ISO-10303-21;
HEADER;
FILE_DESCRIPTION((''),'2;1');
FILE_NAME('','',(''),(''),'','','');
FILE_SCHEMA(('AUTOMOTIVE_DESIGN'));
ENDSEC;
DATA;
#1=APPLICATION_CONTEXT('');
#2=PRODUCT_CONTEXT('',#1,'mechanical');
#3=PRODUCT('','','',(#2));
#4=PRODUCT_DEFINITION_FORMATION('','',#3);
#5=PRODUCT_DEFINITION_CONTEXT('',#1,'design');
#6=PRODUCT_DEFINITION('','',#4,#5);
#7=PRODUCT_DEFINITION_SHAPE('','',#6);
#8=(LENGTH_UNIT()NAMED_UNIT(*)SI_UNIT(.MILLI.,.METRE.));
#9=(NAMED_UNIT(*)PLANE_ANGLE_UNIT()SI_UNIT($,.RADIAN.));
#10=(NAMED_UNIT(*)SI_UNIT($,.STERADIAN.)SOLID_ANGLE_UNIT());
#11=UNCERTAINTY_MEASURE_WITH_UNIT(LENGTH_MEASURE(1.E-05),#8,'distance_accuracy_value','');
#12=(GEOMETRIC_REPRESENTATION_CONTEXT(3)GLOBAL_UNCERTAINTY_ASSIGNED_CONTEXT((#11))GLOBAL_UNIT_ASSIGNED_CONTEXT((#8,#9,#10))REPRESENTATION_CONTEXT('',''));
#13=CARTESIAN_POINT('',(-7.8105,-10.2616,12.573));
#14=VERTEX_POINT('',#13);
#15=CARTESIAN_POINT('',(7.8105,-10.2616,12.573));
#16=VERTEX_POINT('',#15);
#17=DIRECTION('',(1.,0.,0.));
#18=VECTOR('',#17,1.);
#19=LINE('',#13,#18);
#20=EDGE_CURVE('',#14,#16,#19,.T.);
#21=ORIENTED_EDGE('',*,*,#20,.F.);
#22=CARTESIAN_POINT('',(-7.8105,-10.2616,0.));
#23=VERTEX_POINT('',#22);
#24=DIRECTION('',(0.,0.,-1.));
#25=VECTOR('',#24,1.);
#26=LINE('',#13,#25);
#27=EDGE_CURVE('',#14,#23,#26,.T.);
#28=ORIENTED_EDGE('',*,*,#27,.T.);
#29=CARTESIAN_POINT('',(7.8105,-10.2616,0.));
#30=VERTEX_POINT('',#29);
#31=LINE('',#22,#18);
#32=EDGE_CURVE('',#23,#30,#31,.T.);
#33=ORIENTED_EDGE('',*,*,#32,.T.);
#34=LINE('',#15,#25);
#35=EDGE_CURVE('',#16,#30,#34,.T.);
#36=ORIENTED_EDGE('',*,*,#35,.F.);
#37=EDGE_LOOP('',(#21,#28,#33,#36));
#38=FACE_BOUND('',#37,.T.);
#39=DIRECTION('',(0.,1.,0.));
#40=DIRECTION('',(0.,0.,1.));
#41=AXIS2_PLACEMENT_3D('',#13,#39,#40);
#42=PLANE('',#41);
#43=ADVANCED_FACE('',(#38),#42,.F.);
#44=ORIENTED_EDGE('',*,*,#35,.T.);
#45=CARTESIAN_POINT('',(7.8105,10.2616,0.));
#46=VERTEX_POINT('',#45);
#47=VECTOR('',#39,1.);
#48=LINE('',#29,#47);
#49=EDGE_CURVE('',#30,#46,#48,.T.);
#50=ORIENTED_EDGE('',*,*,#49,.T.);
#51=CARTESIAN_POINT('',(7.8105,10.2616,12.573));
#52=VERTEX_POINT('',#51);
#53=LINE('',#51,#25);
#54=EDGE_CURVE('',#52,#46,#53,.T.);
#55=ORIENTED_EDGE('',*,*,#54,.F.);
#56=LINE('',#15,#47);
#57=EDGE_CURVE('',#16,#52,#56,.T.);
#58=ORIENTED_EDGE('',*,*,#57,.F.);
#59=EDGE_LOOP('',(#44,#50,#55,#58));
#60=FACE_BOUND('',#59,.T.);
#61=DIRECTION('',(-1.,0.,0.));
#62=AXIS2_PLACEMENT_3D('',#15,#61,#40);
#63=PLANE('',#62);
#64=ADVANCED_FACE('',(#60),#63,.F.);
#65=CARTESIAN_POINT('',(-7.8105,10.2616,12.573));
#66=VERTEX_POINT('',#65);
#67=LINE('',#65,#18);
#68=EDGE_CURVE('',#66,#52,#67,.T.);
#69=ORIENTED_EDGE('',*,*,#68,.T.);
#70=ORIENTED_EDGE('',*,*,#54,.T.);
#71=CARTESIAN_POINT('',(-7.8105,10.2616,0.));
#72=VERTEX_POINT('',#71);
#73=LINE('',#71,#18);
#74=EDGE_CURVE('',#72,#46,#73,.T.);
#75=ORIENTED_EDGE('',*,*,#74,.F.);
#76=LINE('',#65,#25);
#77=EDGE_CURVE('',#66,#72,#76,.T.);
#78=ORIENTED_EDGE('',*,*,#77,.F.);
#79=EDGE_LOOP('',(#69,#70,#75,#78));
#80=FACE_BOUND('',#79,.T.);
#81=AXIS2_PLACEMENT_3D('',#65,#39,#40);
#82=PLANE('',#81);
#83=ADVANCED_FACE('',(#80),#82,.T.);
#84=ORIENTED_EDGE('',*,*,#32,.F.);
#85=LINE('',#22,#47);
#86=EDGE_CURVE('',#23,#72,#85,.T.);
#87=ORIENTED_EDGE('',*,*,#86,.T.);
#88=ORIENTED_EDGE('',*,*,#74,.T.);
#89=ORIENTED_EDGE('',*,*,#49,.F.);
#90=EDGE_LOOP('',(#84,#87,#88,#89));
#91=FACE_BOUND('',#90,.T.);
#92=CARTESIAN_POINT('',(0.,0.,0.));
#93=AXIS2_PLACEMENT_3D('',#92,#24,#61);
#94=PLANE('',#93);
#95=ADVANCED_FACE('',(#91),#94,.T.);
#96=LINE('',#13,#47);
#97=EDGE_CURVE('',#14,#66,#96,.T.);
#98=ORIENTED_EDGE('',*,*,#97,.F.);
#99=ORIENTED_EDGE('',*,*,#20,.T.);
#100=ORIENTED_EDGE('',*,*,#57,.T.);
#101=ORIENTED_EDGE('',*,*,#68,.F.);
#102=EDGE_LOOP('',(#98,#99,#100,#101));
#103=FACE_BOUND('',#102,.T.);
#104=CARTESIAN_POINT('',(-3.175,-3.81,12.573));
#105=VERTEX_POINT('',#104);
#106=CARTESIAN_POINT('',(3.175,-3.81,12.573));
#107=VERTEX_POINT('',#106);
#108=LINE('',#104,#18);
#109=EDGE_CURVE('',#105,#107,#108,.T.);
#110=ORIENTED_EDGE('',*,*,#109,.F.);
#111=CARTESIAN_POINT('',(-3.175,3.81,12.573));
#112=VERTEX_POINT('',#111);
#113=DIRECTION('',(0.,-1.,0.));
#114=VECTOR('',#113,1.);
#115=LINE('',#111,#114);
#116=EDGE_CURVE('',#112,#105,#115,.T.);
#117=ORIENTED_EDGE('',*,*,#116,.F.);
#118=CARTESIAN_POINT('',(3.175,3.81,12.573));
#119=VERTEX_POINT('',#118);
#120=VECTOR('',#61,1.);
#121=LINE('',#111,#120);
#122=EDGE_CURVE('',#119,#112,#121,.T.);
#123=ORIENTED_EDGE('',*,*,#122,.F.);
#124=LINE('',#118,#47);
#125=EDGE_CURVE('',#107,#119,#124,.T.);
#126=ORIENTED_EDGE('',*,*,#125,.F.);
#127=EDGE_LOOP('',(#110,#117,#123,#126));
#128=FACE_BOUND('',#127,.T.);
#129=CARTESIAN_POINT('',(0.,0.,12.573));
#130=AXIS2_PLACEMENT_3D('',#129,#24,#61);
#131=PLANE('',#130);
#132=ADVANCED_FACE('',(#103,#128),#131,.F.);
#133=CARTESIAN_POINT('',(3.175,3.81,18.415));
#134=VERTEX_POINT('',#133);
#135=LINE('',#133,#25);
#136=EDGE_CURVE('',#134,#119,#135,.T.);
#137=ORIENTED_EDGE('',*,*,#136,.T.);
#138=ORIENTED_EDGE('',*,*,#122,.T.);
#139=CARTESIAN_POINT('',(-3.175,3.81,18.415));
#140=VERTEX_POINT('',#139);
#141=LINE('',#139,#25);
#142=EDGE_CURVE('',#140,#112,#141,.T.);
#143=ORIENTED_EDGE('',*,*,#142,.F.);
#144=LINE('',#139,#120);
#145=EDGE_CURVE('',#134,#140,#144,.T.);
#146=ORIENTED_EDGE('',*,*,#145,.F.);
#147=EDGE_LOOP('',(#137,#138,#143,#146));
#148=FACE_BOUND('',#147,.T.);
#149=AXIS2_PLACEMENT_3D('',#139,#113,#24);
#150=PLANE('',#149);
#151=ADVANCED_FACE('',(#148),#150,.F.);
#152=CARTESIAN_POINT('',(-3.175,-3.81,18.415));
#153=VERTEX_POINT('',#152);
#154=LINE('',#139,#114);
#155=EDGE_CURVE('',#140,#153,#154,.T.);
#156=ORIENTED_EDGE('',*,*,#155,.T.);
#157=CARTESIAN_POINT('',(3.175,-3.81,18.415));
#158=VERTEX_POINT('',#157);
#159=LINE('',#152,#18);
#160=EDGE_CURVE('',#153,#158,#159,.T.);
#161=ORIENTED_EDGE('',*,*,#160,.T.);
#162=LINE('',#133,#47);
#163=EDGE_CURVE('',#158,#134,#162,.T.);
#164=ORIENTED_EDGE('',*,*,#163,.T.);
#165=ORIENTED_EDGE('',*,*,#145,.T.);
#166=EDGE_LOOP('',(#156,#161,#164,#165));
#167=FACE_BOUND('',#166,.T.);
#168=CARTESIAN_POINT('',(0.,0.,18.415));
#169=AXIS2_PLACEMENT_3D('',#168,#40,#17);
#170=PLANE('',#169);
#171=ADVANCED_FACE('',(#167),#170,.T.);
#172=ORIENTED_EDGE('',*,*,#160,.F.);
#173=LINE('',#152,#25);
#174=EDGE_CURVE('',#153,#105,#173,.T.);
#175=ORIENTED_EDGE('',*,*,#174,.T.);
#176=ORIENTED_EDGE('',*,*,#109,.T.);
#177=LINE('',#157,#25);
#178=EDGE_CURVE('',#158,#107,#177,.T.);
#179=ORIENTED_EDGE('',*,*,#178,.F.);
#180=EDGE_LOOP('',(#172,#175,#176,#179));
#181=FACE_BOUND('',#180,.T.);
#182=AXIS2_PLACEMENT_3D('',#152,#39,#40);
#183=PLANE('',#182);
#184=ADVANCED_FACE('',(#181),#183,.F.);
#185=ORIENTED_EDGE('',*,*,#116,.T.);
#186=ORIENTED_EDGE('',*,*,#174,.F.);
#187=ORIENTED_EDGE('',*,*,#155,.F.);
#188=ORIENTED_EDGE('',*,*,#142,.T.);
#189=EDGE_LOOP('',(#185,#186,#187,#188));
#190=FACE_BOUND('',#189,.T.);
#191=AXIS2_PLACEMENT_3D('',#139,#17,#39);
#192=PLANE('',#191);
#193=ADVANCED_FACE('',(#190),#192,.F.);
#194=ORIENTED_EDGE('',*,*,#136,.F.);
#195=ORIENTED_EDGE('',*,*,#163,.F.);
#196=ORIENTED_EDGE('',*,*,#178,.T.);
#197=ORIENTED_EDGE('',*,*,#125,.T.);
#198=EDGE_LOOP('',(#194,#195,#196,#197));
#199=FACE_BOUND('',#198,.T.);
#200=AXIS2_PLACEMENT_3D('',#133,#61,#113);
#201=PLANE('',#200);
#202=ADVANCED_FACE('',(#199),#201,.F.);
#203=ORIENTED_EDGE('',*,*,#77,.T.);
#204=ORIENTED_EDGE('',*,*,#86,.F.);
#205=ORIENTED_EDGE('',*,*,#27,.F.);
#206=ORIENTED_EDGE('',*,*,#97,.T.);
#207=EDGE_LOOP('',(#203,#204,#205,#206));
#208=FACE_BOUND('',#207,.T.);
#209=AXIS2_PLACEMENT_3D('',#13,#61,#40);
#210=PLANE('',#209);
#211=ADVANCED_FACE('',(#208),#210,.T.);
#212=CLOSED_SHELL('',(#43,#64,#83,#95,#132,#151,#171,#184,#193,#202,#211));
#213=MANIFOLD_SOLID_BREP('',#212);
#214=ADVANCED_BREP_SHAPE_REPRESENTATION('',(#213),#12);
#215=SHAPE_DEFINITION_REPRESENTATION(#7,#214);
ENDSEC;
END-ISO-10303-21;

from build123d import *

# Parameters (mm, degrees)
SKETCH1_W           = 15.621
SKETCH1_H           = 20.5232
BOSS_EXTRUDE1_DEPTH = 12.573
SKETCH2_W           = 6.35
SKETCH2_H           = 7.62
BOSS_EXTRUDE2_DEPTH = 5.842


with BuildPart() as part:
    # Sketch1 → Boss-Extrude1 (new body)
    with BuildSketch(Plane.XY):
        Rectangle(SKETCH1_W, SKETCH1_H)
    extrude(amount=BOSS_EXTRUDE1_DEPTH)

    # Sketch2 → Boss-Extrude2 (add)
    with BuildSketch(Plane.XY.offset(12.573)):
        Rectangle(SKETCH2_W, SKETCH2_H)
    extrude(amount=BOSS_EXTRUDE2_DEPTH)


solid = part.part
